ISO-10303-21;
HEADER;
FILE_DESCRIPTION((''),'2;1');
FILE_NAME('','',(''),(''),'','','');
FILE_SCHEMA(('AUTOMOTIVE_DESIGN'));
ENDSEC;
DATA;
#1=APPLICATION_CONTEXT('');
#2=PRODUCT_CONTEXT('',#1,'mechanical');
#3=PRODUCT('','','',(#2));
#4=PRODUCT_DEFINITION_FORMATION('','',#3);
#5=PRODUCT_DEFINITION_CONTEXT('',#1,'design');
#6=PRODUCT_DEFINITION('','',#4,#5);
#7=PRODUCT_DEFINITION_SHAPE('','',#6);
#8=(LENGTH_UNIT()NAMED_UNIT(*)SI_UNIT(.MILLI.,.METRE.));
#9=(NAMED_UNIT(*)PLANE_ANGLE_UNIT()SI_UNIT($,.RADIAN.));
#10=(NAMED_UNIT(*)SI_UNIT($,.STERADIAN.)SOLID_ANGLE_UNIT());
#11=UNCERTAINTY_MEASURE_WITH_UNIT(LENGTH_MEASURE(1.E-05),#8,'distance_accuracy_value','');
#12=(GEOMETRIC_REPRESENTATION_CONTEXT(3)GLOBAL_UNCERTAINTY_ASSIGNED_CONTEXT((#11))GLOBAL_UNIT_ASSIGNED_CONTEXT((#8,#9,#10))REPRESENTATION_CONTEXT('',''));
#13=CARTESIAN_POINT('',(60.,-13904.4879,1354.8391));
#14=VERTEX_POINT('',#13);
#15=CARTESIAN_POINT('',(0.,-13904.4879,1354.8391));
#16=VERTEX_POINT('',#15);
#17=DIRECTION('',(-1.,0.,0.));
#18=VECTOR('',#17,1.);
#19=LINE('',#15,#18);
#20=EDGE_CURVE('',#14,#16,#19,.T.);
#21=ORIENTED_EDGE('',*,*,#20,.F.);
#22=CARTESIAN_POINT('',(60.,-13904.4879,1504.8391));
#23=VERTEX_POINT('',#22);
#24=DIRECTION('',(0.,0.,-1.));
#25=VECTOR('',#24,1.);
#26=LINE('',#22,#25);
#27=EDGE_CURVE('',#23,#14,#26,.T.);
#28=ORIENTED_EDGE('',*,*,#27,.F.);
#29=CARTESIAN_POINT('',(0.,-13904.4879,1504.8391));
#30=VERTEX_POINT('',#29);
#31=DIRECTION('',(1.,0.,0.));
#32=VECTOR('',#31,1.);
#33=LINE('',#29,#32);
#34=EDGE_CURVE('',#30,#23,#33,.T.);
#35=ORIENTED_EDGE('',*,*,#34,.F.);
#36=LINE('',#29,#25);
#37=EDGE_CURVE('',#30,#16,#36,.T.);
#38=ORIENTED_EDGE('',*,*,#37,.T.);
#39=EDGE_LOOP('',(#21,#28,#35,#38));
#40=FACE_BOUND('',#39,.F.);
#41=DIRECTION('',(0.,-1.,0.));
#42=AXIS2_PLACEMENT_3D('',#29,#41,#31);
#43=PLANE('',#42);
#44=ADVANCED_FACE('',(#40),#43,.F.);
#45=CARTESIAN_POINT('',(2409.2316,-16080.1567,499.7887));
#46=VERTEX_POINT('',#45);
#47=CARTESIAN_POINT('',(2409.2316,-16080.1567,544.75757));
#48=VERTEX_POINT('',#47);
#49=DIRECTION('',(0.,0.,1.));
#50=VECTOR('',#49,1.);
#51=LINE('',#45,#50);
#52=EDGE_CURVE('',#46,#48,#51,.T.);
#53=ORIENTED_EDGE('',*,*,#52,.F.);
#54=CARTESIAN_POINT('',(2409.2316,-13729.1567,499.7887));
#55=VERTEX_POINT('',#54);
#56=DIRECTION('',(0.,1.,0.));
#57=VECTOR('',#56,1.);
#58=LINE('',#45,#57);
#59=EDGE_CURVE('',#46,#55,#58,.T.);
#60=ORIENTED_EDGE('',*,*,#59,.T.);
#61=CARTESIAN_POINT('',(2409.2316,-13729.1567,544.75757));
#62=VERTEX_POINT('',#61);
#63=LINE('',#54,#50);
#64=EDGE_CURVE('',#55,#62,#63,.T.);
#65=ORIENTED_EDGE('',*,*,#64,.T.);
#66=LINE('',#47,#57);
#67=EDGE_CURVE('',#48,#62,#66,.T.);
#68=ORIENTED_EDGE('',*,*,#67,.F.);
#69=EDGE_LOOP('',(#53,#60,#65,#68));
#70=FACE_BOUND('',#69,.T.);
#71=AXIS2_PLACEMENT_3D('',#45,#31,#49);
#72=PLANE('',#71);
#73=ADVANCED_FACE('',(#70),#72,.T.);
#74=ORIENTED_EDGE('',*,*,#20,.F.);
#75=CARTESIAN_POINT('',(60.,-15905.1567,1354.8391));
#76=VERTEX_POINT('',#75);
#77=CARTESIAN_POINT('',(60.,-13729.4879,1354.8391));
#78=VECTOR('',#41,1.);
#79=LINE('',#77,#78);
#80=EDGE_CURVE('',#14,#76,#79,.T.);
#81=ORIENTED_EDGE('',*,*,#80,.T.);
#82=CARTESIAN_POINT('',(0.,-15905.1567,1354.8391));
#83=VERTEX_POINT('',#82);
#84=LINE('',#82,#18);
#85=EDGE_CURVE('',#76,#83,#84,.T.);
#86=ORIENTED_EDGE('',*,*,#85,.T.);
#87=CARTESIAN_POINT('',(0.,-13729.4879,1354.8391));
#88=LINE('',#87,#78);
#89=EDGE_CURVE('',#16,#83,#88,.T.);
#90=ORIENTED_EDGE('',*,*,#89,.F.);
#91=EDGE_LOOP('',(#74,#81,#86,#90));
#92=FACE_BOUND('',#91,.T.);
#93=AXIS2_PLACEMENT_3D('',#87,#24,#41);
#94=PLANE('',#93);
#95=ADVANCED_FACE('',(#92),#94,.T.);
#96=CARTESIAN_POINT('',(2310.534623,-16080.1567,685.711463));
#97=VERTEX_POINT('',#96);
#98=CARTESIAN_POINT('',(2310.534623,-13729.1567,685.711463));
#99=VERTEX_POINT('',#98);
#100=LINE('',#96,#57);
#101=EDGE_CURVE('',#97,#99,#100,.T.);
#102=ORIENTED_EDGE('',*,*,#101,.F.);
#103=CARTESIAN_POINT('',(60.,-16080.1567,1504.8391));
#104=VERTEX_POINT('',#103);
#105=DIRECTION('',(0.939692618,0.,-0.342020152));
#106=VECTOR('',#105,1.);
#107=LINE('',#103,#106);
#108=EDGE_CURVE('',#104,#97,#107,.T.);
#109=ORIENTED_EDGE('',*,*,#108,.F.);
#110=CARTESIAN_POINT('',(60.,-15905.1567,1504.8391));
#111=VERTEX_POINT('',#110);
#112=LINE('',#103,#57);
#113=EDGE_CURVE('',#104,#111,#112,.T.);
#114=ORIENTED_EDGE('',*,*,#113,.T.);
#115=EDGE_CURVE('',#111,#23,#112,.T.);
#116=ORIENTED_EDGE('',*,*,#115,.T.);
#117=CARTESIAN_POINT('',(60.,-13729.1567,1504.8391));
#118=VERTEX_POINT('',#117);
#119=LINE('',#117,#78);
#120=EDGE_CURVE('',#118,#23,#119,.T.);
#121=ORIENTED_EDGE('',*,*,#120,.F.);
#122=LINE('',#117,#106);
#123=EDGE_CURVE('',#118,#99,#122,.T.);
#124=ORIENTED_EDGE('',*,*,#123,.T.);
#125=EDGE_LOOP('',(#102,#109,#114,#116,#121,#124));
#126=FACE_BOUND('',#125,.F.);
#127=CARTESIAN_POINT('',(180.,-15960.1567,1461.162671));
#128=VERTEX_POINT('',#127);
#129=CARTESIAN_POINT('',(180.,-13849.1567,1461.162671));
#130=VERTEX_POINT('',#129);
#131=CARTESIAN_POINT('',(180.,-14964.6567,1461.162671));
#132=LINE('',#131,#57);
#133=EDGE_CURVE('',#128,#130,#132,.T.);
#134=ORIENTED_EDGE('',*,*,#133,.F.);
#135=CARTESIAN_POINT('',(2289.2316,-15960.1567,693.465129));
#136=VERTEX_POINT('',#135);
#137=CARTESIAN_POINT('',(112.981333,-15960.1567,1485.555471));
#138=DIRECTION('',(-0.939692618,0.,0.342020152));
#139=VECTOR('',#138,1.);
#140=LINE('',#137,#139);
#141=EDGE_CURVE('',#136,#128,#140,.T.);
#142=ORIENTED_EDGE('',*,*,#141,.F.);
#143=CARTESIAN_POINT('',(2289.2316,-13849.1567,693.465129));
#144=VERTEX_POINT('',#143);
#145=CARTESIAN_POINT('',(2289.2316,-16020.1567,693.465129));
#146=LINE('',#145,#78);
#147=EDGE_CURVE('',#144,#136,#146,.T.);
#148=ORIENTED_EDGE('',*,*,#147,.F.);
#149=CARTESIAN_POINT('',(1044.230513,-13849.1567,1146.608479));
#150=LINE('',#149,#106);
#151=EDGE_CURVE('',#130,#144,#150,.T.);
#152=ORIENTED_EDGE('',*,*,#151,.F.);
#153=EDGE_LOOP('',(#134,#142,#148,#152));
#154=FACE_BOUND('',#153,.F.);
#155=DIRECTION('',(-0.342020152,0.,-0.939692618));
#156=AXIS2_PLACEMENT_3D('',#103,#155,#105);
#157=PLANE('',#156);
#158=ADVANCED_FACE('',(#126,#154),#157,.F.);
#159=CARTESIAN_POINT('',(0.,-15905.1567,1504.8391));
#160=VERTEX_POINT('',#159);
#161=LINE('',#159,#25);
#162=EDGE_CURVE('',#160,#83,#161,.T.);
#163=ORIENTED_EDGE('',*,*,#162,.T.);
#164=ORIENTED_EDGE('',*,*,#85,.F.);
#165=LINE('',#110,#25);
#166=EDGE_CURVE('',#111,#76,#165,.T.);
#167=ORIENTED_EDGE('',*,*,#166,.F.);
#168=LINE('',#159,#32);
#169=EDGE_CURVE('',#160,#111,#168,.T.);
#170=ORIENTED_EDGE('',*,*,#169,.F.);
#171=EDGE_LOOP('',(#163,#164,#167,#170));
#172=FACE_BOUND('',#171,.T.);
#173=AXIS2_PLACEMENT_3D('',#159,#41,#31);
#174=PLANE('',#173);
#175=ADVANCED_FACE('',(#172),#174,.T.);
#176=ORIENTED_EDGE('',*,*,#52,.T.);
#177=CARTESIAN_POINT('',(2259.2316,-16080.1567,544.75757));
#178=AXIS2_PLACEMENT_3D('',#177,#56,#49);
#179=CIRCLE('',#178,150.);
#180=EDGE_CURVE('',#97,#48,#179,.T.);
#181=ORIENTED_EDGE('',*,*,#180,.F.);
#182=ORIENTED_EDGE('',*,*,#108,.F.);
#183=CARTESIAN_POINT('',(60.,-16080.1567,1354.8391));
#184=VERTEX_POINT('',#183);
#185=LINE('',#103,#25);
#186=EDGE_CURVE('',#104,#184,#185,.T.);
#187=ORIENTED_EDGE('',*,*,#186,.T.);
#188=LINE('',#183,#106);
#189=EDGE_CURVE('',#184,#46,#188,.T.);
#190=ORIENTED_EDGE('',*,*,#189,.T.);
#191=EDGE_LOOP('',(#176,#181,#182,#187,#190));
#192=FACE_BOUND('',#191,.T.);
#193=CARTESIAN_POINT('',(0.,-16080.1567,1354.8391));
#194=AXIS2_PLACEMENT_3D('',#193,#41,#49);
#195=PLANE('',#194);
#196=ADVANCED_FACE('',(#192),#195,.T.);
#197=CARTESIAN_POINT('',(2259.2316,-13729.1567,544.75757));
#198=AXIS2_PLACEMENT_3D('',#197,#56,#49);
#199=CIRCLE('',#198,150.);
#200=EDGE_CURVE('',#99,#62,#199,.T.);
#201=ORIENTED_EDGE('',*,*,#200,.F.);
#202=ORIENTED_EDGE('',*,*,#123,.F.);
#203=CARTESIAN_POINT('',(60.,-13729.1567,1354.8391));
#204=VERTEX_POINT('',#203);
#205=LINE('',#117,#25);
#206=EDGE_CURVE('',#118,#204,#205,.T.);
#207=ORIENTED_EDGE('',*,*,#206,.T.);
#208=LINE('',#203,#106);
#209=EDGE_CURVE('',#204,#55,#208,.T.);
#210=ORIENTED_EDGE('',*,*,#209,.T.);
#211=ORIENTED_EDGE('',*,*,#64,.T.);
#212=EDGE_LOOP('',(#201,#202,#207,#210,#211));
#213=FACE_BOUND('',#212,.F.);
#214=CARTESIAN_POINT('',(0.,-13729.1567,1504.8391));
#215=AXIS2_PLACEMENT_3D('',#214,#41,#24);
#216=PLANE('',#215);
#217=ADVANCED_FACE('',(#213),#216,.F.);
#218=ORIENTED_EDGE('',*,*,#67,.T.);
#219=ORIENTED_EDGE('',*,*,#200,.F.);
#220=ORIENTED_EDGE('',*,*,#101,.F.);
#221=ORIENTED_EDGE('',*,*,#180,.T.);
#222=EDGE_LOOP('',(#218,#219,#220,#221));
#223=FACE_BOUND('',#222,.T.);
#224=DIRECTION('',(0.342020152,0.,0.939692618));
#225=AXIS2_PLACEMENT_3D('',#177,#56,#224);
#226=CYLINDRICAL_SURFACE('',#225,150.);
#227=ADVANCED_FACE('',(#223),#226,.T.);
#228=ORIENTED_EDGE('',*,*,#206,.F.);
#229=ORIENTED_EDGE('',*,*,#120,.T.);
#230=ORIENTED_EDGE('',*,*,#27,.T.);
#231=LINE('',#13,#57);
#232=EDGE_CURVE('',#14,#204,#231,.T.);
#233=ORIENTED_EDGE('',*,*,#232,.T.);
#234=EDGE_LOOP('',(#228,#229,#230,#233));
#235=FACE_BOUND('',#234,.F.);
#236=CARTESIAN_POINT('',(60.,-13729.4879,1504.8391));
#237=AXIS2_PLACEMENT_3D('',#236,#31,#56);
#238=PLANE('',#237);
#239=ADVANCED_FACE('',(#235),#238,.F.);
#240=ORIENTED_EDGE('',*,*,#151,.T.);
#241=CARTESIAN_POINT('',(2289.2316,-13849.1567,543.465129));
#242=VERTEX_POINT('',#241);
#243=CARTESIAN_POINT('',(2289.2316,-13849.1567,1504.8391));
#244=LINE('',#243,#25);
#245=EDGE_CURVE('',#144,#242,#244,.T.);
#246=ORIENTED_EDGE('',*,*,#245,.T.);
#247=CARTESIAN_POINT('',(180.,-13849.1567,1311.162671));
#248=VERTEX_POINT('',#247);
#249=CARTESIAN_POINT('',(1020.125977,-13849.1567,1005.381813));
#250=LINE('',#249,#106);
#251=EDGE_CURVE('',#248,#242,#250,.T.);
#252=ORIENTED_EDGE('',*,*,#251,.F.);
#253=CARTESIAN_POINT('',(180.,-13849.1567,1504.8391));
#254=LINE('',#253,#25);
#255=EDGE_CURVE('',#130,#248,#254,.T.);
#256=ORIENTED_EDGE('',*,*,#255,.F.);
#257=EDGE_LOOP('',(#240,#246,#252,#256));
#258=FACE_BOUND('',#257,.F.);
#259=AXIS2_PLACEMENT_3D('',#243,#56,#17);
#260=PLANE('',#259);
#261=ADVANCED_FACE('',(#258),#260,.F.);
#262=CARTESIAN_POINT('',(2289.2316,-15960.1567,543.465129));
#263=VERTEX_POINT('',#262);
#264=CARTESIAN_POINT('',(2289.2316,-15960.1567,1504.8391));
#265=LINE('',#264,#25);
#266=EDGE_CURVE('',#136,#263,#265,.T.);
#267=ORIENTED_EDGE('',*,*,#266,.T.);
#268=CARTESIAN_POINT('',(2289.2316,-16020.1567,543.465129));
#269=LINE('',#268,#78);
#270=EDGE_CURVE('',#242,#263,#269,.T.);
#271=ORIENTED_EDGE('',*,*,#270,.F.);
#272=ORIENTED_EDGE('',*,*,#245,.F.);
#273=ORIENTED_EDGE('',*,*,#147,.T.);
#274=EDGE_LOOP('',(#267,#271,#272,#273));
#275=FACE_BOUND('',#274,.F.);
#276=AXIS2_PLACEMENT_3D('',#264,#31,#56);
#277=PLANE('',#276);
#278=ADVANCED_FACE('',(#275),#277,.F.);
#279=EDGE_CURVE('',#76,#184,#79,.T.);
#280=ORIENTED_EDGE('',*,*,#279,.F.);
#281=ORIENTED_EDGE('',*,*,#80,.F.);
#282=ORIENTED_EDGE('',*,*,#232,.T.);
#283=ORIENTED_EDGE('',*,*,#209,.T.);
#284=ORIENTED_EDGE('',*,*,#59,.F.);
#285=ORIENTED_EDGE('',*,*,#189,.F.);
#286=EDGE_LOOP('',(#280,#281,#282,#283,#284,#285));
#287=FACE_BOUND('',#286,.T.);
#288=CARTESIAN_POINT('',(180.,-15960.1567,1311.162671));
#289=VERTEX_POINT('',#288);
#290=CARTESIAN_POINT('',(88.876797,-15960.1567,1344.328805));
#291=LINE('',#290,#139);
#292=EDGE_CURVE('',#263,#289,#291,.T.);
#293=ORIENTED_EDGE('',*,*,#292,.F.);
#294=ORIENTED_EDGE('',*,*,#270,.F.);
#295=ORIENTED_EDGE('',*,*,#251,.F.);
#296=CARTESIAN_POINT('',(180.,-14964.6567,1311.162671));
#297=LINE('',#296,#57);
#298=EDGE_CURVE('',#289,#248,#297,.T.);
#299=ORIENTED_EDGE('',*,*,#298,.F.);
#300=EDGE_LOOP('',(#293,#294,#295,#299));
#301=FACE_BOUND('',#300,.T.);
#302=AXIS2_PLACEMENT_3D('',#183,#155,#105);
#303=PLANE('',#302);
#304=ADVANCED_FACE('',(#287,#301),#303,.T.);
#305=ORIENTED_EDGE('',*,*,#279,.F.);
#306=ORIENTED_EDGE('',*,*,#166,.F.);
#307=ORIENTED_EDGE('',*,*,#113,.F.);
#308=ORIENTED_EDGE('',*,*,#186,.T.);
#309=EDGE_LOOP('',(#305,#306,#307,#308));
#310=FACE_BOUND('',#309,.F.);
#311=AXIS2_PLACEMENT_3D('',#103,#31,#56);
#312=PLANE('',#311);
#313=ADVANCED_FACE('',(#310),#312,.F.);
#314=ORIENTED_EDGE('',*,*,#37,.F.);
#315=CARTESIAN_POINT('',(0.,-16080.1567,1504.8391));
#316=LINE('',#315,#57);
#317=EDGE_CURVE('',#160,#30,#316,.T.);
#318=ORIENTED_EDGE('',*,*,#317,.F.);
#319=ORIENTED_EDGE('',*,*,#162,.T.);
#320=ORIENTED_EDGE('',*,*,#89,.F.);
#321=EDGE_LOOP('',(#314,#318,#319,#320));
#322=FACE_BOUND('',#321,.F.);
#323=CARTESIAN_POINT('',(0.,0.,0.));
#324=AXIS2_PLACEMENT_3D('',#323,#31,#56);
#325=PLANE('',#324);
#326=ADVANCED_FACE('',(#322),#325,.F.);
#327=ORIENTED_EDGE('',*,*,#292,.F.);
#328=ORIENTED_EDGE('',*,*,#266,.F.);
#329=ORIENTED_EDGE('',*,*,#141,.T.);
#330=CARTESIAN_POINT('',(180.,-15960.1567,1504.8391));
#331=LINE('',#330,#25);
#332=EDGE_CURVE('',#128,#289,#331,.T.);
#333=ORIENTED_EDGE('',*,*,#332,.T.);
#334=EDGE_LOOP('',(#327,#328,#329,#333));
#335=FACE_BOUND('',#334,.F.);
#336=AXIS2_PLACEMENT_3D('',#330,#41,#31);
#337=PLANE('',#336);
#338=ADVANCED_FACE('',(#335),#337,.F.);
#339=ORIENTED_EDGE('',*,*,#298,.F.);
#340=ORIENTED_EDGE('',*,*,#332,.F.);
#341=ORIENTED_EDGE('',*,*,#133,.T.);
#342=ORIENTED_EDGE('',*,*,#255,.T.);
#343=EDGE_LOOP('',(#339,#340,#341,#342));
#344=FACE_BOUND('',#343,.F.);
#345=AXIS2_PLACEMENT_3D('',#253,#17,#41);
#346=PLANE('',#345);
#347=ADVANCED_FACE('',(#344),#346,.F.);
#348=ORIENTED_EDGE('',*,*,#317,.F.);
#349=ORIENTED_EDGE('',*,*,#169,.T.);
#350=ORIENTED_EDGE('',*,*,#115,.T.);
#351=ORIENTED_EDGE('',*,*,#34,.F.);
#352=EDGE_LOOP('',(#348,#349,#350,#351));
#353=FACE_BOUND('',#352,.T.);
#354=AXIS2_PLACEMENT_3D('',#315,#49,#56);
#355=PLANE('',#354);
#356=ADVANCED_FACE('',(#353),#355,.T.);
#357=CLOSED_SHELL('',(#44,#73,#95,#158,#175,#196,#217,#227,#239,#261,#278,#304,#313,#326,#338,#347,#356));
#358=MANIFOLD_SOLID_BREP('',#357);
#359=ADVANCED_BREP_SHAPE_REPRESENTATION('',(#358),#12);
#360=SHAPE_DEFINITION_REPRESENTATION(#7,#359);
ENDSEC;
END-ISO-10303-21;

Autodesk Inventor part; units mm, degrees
ref_plane "YZ Plane" through (0, 0, 0) normal (1, 0, 0) x (0, 1, 0)
ref_plane "XZ Plane" through (0, 0, 0) normal (0, 1, 0) x (-1, 0, 0)
sketch "Sketch1" plane through (0, 0, 0) normal (1, 0, 0) x (0, 1, 0)
  line L0 (-16080.1567, 1504.8391) -> (-13729.4879, 1504.8391)
  line L1 (-13729.4879, 1504.8391) -> (-13729.4879, 1354.8391)
  line L2 (-13729.4879, 1354.8391) -> (-16080.1567, 1354.8391)
  line L3 (-16080.1567, 1354.8391) -> (-16080.1567, 1504.8391)
  point P0 (0, 0)
  point P1 (-16255.1567, 1504.8391)
  point P2 (-15905.1567, 1504.8391)
  point P3 (-13904.4879, 1504.8391)
  point P4 (-13554.4879, 1504.8391)
  point P5 (-13729.4879, 1504.8391)
  dimension "d3" = 150
extrude "Extrusion1" add sketch "Sketch1" along normal blind 60
sketch "Sketch2" plane through (60, 0, 0) normal (1, 0, 0) x (0, 0, -1)
  line L0 (-1354.8391, -16080.1567) -> (-1354.8391, -13729.4879) projected
  line L1 (-1354.8391, -13729.4879) -> (-1504.8391, -13729.4879) projected
  line L2 (-1504.8391, -13729.4879) -> (-1504.8391, -16080.1567) projected
  line L3 (-1504.8391, -16080.1567) -> (-1354.8391, -16080.1567) projected
  point P0 (0, 0)
ref_plane "Work Plane1" through (0, -16080.1567, 1504.8391) normal (0, -1, 0) x (0, 0, -1)
sketch "Sketch3" plane through (0, -16080.1567, 1504.8391) normal (0, -1, 0) x (0, 0, -1)
  line L0 (0, 60) -> (150, 60) projected
  line L1 (0, 60) -> (150, 60)
  line L2 (0, 60) -> (855.0504, 2409.2316)
  line L3 (0, 60) -> (2500, 60) construction
  line L4 (150, 60) -> (1005.0504, 2409.2316)
  line L5 (150, 60) -> (2650, 60) construction
  line L6 (1005.0504, 2409.2316) -> (855.0504, 2409.2316)
  point P0 (1504.8391, 0)
  dimension "d6" = 2500
  dimension "d7" = 70
  dimension "d8" = 70
extrude "Extrusion2" add sketch "Sketch3" against normal blind 2351
sketch "Sketch4" plane through (0, -16080.1567, 1504.8391) normal (0, 0, 1) x (1, 0, 0)
  line L0 (2409.2316, 0) -> (60, 0) projected
  line L1 (2409.2316, 0) -> (2409.2316, 2351) projected
  line L2 (60, 2351) -> (2409.2316, 2351) projected
  line L3 (60, 2350.6688) -> (60, 2351) projected
  line L4 (60, 2350.6688) -> (60, 0) projected
  line L5 (60, 2350.6688) -> (60, 0) projected
  line L6 (60, 0) -> (180, 0)
  line L7 (180, 0) -> (180, 120)
  line L8 (180, 120) -> (60, 120)
  line L9 (60, 120) -> (60, 0)
  line L10 (2409.2316, 2351) -> (2289.2316, 2351)
  line L11 (2289.2316, 2351) -> (2289.2316, 2231)
  line L12 (2289.2316, 2231) -> (2409.2316, 2231)
  line L13 (2409.2316, 2231) -> (2409.2316, 2351)
  line L14 (2289.2316, 2231) -> (180, 2231)
  line L15 (180, 2231) -> (180, 120)
  line L16 (180, 120) -> (2289.2316, 120)
  line L17 (2289.2316, 120) -> (2289.2316, 2231)
  point P0 (0, 16080.1567)
  dimension "d11" = 120
  dimension "d12" = 120
  dimension "d13" = 120
  dimension "d14" = 120
extrude "Extrusion3" cut sketch "Sketch4" against normal through all contours L15 L14 L17 L16
fillet "Fillet1" radius 150 1 edges at (2409.2316, -14904.6567, 649.7888)
sketch "Sketch5" plane through (0, -16080.1567, 1504.8391) normal (0, 0, 1) x (1, 0, 0)
  line L0 (60, 0) -> (60, 2350.6688) projected
  line L1 (0, 175) -> (60, 175)
  line L2 (60, 175) -> (60, 0)
  line L3 (60, 0) -> (0, 0)
  line L4 (0, 0) -> (0, 175)
  line L5 (60, 2351) -> (2310.5346, 2351) projected
  line L6 (0, 2175.6688) -> (60, 2175.6688)
  line L7 (60, 2175.6688) -> (60, 2351)
  line L8 (60, 2351) -> (0, 2351)
  line L9 (0, 2351) -> (0, 2175.6688)
  point P0 (0, 16080.1567)
extrude "Extrusion4" cut sketch "Sketch5" against normal through all
properties part number "side_curve_frame_01" material "Wood (Maple)"
